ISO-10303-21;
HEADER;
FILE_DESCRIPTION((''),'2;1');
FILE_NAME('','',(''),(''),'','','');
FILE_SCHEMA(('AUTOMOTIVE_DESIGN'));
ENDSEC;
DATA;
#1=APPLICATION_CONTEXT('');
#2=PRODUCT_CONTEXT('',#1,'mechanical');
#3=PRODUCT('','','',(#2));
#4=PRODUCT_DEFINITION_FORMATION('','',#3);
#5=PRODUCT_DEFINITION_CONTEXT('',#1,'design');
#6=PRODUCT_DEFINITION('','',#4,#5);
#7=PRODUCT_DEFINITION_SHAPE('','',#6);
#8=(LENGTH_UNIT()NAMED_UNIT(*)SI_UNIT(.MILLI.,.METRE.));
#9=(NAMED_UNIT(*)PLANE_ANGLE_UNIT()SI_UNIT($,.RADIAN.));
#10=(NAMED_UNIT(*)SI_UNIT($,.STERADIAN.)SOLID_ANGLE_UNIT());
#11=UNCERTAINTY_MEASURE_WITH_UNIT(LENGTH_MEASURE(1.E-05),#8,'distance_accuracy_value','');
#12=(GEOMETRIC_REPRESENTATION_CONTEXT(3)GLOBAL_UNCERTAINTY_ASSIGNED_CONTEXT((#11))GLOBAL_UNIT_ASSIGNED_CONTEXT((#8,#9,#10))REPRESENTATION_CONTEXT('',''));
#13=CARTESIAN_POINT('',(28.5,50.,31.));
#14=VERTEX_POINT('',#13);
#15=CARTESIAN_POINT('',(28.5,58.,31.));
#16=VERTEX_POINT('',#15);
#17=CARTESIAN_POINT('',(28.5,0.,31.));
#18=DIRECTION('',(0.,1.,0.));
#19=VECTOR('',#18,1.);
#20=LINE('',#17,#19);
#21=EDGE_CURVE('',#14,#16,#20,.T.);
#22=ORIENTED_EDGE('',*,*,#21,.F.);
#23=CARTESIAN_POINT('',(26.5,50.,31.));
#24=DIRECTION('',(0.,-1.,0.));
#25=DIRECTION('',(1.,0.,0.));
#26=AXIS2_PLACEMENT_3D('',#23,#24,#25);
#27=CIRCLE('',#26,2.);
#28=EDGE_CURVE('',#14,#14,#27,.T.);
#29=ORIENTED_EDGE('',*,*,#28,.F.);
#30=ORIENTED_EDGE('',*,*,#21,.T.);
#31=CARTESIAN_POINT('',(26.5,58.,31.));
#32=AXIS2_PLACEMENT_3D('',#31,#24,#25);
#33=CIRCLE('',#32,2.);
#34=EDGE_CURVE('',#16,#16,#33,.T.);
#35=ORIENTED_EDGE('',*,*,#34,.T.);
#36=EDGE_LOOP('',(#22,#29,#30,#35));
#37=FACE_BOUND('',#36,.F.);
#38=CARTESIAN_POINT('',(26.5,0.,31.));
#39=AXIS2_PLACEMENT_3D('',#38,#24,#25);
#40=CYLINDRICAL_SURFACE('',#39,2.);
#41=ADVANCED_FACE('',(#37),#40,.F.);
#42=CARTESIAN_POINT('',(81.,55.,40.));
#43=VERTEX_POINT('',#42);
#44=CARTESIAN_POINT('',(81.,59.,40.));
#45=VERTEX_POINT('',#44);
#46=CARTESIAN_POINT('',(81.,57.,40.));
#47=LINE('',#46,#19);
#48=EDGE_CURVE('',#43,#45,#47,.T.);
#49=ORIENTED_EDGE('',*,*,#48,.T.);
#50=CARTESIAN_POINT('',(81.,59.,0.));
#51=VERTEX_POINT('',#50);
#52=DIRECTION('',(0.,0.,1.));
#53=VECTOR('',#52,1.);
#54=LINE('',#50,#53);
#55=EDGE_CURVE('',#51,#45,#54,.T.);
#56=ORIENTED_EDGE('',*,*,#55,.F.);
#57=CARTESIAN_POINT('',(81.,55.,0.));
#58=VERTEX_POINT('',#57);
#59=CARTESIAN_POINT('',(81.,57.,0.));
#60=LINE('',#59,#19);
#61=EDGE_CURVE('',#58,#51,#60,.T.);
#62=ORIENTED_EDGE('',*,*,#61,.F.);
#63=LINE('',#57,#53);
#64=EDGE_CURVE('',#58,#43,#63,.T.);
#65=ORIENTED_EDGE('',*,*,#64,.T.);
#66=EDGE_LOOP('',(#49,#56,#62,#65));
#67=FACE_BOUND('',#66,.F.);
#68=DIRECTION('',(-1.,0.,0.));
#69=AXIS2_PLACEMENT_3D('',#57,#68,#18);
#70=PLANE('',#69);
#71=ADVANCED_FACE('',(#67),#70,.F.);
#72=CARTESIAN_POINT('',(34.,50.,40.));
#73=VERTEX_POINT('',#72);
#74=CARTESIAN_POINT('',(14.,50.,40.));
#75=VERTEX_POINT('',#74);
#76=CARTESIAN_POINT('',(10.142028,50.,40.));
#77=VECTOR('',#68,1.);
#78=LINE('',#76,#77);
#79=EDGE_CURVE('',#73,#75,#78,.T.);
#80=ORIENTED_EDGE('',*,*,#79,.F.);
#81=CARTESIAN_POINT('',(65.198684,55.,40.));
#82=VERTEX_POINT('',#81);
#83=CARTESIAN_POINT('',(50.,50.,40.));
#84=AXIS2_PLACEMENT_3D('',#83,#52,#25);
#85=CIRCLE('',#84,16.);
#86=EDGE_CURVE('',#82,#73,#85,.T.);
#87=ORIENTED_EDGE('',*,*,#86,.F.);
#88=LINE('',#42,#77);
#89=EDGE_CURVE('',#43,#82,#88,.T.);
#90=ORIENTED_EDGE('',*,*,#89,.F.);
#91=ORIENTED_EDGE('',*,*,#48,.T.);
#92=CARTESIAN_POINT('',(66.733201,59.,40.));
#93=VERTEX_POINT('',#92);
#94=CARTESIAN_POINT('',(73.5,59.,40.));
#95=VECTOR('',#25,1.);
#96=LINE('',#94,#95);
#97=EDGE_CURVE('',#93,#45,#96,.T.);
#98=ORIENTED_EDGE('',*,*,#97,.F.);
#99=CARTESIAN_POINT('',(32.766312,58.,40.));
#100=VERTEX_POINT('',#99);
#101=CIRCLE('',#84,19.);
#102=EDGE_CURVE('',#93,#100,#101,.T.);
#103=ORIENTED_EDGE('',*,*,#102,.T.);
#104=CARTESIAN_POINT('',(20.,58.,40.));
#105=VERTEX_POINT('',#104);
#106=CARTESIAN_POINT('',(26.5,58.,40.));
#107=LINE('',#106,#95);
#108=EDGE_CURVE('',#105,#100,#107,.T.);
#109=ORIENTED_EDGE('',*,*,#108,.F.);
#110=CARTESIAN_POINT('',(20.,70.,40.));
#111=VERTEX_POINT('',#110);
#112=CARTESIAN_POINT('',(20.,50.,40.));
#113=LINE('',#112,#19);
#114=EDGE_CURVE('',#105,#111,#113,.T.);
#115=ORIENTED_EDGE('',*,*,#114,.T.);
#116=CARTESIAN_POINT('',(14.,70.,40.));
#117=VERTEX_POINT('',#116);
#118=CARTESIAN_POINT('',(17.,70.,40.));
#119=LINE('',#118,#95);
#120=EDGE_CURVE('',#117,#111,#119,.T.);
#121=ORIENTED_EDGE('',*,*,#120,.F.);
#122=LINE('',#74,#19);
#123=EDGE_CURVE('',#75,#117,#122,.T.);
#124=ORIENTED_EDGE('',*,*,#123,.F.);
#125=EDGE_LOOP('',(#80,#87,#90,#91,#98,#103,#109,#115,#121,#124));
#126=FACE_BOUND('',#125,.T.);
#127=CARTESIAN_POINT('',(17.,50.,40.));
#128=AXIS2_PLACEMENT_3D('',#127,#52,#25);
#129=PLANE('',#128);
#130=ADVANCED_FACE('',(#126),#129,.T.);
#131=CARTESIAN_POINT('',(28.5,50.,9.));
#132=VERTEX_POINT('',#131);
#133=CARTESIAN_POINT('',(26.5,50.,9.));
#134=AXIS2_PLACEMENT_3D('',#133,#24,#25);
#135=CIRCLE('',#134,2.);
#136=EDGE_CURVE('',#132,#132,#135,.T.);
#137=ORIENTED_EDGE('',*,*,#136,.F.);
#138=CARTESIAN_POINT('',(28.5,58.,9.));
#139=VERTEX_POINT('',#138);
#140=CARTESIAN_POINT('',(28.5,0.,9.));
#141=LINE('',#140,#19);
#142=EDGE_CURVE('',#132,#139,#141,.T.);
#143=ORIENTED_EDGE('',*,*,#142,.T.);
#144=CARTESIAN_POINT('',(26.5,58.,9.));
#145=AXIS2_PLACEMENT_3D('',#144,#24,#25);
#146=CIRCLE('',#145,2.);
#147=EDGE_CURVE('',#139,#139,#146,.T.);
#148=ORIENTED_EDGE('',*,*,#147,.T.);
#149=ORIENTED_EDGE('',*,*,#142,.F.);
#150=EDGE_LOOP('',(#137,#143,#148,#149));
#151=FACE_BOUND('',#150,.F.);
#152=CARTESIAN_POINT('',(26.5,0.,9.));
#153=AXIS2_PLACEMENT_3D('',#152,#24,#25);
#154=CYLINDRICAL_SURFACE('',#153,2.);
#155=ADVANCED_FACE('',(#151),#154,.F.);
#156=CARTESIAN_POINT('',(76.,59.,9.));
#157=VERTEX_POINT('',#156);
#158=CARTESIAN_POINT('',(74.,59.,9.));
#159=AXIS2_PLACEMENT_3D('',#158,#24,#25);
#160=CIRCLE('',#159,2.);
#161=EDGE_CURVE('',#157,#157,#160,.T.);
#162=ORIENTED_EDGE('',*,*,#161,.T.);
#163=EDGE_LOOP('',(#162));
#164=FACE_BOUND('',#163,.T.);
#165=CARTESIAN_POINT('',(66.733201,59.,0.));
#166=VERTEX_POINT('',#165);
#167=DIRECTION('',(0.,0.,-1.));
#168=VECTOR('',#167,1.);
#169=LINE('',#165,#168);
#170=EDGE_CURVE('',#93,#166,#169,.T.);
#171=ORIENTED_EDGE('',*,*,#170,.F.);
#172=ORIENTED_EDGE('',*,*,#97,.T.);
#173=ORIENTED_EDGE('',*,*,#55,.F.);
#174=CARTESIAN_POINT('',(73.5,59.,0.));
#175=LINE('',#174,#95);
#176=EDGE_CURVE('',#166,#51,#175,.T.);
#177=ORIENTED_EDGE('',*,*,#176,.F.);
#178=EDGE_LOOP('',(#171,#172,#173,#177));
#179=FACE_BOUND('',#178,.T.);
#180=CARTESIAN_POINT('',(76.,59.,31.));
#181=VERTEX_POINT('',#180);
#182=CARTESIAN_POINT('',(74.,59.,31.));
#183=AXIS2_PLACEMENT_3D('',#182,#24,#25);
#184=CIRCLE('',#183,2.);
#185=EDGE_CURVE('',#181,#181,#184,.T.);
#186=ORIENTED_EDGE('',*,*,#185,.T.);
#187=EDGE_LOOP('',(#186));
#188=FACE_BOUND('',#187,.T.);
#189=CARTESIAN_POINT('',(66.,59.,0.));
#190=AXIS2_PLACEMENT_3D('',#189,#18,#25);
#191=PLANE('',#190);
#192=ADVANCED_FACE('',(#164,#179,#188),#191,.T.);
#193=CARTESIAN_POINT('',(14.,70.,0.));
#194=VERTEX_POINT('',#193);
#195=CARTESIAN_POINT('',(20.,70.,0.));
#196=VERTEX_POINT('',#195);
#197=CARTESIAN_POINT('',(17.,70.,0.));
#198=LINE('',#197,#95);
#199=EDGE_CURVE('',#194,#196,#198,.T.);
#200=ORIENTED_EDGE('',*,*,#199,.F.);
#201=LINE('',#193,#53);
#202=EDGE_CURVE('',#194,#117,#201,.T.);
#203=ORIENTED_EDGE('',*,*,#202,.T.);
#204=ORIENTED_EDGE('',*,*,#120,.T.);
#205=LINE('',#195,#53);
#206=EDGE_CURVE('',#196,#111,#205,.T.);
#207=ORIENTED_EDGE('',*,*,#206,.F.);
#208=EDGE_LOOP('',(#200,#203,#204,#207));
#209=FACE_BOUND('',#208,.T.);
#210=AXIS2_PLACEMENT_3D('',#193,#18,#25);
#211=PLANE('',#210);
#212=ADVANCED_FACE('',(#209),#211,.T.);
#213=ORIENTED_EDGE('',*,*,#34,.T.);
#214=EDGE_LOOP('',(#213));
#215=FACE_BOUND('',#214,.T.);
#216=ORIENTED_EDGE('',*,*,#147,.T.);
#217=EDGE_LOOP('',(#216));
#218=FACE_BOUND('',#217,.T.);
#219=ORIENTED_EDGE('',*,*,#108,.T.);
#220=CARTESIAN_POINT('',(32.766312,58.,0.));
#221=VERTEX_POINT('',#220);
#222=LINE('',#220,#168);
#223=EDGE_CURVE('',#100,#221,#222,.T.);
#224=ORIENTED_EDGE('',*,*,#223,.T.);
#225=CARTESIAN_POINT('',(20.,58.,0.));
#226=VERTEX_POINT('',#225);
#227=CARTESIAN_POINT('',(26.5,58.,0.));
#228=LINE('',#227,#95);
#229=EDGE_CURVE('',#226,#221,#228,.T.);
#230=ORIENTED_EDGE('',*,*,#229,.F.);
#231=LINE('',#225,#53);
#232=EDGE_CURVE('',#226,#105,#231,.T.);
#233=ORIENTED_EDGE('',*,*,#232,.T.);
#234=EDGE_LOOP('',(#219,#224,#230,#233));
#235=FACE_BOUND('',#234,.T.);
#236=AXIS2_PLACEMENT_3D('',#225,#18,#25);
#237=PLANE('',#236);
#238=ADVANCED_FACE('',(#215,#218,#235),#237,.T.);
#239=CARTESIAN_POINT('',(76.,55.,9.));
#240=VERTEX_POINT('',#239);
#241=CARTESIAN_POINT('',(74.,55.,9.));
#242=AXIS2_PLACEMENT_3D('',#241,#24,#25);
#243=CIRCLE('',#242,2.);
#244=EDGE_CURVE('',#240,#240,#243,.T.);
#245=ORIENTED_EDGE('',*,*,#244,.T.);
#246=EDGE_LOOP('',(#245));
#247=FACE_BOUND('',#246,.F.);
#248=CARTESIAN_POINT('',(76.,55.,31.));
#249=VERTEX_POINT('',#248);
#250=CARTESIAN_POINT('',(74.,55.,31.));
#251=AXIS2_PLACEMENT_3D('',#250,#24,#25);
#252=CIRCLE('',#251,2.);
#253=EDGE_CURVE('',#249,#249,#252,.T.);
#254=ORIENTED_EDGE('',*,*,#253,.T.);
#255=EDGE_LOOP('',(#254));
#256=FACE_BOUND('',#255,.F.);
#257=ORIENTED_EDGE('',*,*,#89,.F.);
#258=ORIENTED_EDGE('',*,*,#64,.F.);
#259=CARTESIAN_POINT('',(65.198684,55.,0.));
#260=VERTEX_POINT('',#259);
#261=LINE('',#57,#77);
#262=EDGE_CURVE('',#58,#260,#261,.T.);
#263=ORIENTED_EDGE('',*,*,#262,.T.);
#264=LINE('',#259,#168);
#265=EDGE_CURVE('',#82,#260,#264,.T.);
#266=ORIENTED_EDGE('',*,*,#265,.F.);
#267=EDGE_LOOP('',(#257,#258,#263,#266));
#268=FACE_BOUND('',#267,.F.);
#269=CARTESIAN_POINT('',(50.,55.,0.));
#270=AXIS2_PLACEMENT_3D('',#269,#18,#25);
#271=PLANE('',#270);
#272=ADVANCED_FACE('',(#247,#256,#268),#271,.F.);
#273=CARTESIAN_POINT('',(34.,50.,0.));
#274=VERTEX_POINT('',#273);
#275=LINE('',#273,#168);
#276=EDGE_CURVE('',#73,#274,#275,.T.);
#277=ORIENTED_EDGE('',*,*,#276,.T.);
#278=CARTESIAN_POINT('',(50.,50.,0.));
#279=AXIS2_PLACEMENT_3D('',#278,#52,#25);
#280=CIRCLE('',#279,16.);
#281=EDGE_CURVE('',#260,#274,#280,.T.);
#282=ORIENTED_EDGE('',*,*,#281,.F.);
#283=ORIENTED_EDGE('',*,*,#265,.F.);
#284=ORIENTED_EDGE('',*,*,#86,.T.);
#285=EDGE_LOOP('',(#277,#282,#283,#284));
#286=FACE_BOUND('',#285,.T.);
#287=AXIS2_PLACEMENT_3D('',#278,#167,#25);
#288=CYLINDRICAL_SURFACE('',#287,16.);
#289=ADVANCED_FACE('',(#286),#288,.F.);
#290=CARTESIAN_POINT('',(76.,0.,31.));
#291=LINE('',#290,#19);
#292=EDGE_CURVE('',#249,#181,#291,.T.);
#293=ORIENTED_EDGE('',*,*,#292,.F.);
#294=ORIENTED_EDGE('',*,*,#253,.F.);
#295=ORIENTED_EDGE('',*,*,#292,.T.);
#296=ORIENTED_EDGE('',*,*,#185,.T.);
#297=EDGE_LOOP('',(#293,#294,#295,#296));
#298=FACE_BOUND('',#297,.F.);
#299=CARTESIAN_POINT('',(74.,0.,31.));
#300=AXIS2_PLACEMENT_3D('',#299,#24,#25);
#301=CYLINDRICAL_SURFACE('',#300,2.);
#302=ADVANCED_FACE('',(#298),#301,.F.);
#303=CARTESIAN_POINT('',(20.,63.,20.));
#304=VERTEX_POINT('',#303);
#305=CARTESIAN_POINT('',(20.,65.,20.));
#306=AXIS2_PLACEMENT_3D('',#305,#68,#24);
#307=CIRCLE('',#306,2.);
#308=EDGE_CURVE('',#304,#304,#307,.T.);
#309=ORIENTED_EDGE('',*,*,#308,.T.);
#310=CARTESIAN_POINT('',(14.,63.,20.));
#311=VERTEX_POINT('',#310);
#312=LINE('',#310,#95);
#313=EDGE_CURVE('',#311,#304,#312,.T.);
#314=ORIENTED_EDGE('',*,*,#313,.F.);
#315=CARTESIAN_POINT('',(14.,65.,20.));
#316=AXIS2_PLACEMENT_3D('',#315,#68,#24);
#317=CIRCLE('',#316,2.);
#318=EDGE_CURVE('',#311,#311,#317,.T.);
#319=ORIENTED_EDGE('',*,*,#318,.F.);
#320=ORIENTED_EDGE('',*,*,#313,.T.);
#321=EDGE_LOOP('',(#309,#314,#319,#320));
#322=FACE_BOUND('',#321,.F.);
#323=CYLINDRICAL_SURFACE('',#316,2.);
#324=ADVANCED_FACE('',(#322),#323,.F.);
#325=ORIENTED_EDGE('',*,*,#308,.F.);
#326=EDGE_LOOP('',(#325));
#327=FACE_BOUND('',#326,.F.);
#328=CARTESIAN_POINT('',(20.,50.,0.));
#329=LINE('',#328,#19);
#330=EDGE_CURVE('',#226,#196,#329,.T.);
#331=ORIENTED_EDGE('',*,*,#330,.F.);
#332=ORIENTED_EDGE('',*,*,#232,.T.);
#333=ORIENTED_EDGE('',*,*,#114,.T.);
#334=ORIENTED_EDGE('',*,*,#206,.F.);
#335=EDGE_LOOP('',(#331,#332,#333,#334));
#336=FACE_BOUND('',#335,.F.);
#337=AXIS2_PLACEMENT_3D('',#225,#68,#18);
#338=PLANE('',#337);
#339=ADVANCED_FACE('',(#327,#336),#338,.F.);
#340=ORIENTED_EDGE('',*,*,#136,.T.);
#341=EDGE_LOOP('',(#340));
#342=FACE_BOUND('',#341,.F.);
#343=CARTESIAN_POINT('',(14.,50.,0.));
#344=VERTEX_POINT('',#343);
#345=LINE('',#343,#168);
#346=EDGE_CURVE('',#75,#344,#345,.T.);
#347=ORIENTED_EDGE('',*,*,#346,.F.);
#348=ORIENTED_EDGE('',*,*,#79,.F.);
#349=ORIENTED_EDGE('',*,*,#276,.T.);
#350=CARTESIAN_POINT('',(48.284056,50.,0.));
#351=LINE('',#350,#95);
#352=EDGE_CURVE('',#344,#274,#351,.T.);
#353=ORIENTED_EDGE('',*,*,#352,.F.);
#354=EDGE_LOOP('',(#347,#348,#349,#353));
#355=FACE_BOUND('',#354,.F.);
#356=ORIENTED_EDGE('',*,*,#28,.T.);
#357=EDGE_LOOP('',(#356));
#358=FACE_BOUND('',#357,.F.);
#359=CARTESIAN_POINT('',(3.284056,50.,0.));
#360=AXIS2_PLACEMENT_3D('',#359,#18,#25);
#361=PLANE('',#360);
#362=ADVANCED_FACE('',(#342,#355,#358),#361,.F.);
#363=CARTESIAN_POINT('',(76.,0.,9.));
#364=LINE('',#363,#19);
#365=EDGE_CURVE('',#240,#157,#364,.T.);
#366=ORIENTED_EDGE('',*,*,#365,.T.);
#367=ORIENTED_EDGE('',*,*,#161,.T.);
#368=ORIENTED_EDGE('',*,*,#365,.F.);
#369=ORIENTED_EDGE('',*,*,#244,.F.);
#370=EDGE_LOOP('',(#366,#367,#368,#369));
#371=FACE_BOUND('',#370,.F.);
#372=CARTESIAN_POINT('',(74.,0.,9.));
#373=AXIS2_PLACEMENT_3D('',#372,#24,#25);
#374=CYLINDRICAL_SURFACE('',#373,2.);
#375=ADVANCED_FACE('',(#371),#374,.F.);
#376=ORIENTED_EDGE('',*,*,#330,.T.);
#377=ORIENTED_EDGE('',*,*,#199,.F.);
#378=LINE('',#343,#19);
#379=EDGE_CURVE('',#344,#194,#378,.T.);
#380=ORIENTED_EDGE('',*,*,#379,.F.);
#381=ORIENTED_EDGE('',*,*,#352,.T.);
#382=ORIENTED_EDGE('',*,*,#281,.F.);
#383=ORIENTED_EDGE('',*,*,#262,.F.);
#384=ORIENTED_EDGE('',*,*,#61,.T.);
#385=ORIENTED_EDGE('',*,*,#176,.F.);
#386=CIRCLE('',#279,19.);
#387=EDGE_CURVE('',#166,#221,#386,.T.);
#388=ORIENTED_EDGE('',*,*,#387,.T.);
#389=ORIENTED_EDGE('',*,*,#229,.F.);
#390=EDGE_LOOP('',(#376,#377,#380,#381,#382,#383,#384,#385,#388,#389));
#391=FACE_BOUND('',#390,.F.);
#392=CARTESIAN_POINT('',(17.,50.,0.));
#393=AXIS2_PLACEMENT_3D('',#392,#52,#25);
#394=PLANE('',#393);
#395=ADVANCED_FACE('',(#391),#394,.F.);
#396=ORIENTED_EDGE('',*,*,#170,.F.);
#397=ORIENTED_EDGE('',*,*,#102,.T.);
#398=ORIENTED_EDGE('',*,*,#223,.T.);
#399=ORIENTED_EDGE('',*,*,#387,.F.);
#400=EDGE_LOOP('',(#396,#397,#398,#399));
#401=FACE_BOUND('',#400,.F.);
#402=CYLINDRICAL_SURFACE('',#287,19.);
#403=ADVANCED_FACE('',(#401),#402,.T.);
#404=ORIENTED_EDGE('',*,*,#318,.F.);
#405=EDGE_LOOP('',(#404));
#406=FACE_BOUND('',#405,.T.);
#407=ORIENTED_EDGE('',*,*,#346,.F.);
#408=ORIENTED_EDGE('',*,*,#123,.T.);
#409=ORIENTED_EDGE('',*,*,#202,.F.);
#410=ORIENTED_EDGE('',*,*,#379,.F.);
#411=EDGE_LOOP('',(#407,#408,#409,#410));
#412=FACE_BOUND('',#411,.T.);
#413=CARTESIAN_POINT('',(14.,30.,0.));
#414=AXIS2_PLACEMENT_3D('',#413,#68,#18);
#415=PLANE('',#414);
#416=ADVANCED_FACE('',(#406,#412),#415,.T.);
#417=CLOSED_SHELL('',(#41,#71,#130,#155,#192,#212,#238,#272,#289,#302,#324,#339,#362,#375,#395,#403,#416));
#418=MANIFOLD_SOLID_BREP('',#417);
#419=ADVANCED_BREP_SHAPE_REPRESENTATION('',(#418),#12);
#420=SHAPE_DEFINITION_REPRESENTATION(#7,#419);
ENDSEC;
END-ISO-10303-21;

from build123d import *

# Parameters (mm, degrees)
SKETCH209_R     = 19
SKETCH209_R_2   = 16
PAD104_DEPTH    = 40
SKETCH210_W     = 38
SKETCH210_H     = 10
POCKET121_DEPTH = 40
SKETCH211_W     = 15
SKETCH211_H     = 4
PAD105_DEPTH    = 40
SKETCH212_R     = 2
POCKET122_DEPTH = 69.001
SKETCH213_W     = 6
SKETCH213_H     = 40
SKETCH213_W_2   = 13
SKETCH213_H_2   = 16
PAD106_DEPTH    = 40
SKETCH214_R     = 2
POCKET123_DEPTH = 6
SKETCH_W        = 90
SKETCH_H        = 30
POCKET_DEPTH    = 40.001
SKETCH215_R     = 2
POCKET124_DEPTH = 70.001


with BuildPart() as part:
    # Sketch209 → Pad104 (new body)
    with BuildSketch(Plane.XY):
        with Locations((50, 50)):
            Circle(SKETCH209_R)
        with Locations((50, 50)):
            Circle(SKETCH209_R_2, mode=Mode.SUBTRACT)
    extrude(amount=PAD104_DEPTH)

    # Sketch210 → Pocket121 (cut)
    with BuildSketch(Plane.XY):
        with Locations((69, 50)):
            Rectangle(SKETCH210_W, SKETCH210_H)
    extrude(amount=POCKET121_DEPTH, mode=Mode.SUBTRACT)

    # Sketch211 → Pad105 (join)
    with BuildSketch(Plane.XY):
        with Locations((73.5, 57)):
            Rectangle(SKETCH211_W, SKETCH211_H)
        with Locations((73.5, 43)):
            Rectangle(SKETCH211_W, SKETCH211_H)
    extrude(amount=PAD105_DEPTH)

    # Sketch212 → Pocket122 (cut, through all)
    with BuildSketch(Plane.XZ):
        with Locations((74, 31)):
            Circle(SKETCH212_R)
        with Locations((74, 9)):
            Circle(SKETCH212_R)
    extrude(amount=-POCKET122_DEPTH, mode=Mode.SUBTRACT)

    # Sketch213 → Pad106 (join)
    with BuildSketch(Plane.XY):
        with Locations((17, 50)):
            Rectangle(SKETCH213_W, SKETCH213_H)
        with Locations((26.5, 50)):
            Rectangle(SKETCH213_W_2, SKETCH213_H_2)
    extrude(amount=PAD106_DEPTH)

    # Sketch214 (on Face19 of Pad106) → Pocket123 (cut)
    with BuildSketch(Plane(origin=(14, 0, 0), x_dir=(0, -1, 0), z_dir=(-1, 0, 0))):
        with Locations((-65, 20)):
            Circle(SKETCH214_R)
        with Locations((-35, 20)):
            Circle(SKETCH214_R)
    extrude(amount=-POCKET123_DEPTH, mode=Mode.SUBTRACT)

    # Sketch → Pocket (cut, through all)
    with BuildSketch(Plane.XY):
        with Locations((48.284056, 35)):
            Rectangle(SKETCH_W, SKETCH_H)
    extrude(amount=POCKET_DEPTH, mode=Mode.SUBTRACT)

    # Sketch215 → Pocket124 (cut, through all)
    with BuildSketch(Plane.XZ):
        with Locations((26.5, 31)):
            Circle(SKETCH215_R)
        with Locations((26.5, 9)):
            Circle(SKETCH215_R)
    extrude(amount=-POCKET124_DEPTH, mode=Mode.SUBTRACT)


solid = part.part
